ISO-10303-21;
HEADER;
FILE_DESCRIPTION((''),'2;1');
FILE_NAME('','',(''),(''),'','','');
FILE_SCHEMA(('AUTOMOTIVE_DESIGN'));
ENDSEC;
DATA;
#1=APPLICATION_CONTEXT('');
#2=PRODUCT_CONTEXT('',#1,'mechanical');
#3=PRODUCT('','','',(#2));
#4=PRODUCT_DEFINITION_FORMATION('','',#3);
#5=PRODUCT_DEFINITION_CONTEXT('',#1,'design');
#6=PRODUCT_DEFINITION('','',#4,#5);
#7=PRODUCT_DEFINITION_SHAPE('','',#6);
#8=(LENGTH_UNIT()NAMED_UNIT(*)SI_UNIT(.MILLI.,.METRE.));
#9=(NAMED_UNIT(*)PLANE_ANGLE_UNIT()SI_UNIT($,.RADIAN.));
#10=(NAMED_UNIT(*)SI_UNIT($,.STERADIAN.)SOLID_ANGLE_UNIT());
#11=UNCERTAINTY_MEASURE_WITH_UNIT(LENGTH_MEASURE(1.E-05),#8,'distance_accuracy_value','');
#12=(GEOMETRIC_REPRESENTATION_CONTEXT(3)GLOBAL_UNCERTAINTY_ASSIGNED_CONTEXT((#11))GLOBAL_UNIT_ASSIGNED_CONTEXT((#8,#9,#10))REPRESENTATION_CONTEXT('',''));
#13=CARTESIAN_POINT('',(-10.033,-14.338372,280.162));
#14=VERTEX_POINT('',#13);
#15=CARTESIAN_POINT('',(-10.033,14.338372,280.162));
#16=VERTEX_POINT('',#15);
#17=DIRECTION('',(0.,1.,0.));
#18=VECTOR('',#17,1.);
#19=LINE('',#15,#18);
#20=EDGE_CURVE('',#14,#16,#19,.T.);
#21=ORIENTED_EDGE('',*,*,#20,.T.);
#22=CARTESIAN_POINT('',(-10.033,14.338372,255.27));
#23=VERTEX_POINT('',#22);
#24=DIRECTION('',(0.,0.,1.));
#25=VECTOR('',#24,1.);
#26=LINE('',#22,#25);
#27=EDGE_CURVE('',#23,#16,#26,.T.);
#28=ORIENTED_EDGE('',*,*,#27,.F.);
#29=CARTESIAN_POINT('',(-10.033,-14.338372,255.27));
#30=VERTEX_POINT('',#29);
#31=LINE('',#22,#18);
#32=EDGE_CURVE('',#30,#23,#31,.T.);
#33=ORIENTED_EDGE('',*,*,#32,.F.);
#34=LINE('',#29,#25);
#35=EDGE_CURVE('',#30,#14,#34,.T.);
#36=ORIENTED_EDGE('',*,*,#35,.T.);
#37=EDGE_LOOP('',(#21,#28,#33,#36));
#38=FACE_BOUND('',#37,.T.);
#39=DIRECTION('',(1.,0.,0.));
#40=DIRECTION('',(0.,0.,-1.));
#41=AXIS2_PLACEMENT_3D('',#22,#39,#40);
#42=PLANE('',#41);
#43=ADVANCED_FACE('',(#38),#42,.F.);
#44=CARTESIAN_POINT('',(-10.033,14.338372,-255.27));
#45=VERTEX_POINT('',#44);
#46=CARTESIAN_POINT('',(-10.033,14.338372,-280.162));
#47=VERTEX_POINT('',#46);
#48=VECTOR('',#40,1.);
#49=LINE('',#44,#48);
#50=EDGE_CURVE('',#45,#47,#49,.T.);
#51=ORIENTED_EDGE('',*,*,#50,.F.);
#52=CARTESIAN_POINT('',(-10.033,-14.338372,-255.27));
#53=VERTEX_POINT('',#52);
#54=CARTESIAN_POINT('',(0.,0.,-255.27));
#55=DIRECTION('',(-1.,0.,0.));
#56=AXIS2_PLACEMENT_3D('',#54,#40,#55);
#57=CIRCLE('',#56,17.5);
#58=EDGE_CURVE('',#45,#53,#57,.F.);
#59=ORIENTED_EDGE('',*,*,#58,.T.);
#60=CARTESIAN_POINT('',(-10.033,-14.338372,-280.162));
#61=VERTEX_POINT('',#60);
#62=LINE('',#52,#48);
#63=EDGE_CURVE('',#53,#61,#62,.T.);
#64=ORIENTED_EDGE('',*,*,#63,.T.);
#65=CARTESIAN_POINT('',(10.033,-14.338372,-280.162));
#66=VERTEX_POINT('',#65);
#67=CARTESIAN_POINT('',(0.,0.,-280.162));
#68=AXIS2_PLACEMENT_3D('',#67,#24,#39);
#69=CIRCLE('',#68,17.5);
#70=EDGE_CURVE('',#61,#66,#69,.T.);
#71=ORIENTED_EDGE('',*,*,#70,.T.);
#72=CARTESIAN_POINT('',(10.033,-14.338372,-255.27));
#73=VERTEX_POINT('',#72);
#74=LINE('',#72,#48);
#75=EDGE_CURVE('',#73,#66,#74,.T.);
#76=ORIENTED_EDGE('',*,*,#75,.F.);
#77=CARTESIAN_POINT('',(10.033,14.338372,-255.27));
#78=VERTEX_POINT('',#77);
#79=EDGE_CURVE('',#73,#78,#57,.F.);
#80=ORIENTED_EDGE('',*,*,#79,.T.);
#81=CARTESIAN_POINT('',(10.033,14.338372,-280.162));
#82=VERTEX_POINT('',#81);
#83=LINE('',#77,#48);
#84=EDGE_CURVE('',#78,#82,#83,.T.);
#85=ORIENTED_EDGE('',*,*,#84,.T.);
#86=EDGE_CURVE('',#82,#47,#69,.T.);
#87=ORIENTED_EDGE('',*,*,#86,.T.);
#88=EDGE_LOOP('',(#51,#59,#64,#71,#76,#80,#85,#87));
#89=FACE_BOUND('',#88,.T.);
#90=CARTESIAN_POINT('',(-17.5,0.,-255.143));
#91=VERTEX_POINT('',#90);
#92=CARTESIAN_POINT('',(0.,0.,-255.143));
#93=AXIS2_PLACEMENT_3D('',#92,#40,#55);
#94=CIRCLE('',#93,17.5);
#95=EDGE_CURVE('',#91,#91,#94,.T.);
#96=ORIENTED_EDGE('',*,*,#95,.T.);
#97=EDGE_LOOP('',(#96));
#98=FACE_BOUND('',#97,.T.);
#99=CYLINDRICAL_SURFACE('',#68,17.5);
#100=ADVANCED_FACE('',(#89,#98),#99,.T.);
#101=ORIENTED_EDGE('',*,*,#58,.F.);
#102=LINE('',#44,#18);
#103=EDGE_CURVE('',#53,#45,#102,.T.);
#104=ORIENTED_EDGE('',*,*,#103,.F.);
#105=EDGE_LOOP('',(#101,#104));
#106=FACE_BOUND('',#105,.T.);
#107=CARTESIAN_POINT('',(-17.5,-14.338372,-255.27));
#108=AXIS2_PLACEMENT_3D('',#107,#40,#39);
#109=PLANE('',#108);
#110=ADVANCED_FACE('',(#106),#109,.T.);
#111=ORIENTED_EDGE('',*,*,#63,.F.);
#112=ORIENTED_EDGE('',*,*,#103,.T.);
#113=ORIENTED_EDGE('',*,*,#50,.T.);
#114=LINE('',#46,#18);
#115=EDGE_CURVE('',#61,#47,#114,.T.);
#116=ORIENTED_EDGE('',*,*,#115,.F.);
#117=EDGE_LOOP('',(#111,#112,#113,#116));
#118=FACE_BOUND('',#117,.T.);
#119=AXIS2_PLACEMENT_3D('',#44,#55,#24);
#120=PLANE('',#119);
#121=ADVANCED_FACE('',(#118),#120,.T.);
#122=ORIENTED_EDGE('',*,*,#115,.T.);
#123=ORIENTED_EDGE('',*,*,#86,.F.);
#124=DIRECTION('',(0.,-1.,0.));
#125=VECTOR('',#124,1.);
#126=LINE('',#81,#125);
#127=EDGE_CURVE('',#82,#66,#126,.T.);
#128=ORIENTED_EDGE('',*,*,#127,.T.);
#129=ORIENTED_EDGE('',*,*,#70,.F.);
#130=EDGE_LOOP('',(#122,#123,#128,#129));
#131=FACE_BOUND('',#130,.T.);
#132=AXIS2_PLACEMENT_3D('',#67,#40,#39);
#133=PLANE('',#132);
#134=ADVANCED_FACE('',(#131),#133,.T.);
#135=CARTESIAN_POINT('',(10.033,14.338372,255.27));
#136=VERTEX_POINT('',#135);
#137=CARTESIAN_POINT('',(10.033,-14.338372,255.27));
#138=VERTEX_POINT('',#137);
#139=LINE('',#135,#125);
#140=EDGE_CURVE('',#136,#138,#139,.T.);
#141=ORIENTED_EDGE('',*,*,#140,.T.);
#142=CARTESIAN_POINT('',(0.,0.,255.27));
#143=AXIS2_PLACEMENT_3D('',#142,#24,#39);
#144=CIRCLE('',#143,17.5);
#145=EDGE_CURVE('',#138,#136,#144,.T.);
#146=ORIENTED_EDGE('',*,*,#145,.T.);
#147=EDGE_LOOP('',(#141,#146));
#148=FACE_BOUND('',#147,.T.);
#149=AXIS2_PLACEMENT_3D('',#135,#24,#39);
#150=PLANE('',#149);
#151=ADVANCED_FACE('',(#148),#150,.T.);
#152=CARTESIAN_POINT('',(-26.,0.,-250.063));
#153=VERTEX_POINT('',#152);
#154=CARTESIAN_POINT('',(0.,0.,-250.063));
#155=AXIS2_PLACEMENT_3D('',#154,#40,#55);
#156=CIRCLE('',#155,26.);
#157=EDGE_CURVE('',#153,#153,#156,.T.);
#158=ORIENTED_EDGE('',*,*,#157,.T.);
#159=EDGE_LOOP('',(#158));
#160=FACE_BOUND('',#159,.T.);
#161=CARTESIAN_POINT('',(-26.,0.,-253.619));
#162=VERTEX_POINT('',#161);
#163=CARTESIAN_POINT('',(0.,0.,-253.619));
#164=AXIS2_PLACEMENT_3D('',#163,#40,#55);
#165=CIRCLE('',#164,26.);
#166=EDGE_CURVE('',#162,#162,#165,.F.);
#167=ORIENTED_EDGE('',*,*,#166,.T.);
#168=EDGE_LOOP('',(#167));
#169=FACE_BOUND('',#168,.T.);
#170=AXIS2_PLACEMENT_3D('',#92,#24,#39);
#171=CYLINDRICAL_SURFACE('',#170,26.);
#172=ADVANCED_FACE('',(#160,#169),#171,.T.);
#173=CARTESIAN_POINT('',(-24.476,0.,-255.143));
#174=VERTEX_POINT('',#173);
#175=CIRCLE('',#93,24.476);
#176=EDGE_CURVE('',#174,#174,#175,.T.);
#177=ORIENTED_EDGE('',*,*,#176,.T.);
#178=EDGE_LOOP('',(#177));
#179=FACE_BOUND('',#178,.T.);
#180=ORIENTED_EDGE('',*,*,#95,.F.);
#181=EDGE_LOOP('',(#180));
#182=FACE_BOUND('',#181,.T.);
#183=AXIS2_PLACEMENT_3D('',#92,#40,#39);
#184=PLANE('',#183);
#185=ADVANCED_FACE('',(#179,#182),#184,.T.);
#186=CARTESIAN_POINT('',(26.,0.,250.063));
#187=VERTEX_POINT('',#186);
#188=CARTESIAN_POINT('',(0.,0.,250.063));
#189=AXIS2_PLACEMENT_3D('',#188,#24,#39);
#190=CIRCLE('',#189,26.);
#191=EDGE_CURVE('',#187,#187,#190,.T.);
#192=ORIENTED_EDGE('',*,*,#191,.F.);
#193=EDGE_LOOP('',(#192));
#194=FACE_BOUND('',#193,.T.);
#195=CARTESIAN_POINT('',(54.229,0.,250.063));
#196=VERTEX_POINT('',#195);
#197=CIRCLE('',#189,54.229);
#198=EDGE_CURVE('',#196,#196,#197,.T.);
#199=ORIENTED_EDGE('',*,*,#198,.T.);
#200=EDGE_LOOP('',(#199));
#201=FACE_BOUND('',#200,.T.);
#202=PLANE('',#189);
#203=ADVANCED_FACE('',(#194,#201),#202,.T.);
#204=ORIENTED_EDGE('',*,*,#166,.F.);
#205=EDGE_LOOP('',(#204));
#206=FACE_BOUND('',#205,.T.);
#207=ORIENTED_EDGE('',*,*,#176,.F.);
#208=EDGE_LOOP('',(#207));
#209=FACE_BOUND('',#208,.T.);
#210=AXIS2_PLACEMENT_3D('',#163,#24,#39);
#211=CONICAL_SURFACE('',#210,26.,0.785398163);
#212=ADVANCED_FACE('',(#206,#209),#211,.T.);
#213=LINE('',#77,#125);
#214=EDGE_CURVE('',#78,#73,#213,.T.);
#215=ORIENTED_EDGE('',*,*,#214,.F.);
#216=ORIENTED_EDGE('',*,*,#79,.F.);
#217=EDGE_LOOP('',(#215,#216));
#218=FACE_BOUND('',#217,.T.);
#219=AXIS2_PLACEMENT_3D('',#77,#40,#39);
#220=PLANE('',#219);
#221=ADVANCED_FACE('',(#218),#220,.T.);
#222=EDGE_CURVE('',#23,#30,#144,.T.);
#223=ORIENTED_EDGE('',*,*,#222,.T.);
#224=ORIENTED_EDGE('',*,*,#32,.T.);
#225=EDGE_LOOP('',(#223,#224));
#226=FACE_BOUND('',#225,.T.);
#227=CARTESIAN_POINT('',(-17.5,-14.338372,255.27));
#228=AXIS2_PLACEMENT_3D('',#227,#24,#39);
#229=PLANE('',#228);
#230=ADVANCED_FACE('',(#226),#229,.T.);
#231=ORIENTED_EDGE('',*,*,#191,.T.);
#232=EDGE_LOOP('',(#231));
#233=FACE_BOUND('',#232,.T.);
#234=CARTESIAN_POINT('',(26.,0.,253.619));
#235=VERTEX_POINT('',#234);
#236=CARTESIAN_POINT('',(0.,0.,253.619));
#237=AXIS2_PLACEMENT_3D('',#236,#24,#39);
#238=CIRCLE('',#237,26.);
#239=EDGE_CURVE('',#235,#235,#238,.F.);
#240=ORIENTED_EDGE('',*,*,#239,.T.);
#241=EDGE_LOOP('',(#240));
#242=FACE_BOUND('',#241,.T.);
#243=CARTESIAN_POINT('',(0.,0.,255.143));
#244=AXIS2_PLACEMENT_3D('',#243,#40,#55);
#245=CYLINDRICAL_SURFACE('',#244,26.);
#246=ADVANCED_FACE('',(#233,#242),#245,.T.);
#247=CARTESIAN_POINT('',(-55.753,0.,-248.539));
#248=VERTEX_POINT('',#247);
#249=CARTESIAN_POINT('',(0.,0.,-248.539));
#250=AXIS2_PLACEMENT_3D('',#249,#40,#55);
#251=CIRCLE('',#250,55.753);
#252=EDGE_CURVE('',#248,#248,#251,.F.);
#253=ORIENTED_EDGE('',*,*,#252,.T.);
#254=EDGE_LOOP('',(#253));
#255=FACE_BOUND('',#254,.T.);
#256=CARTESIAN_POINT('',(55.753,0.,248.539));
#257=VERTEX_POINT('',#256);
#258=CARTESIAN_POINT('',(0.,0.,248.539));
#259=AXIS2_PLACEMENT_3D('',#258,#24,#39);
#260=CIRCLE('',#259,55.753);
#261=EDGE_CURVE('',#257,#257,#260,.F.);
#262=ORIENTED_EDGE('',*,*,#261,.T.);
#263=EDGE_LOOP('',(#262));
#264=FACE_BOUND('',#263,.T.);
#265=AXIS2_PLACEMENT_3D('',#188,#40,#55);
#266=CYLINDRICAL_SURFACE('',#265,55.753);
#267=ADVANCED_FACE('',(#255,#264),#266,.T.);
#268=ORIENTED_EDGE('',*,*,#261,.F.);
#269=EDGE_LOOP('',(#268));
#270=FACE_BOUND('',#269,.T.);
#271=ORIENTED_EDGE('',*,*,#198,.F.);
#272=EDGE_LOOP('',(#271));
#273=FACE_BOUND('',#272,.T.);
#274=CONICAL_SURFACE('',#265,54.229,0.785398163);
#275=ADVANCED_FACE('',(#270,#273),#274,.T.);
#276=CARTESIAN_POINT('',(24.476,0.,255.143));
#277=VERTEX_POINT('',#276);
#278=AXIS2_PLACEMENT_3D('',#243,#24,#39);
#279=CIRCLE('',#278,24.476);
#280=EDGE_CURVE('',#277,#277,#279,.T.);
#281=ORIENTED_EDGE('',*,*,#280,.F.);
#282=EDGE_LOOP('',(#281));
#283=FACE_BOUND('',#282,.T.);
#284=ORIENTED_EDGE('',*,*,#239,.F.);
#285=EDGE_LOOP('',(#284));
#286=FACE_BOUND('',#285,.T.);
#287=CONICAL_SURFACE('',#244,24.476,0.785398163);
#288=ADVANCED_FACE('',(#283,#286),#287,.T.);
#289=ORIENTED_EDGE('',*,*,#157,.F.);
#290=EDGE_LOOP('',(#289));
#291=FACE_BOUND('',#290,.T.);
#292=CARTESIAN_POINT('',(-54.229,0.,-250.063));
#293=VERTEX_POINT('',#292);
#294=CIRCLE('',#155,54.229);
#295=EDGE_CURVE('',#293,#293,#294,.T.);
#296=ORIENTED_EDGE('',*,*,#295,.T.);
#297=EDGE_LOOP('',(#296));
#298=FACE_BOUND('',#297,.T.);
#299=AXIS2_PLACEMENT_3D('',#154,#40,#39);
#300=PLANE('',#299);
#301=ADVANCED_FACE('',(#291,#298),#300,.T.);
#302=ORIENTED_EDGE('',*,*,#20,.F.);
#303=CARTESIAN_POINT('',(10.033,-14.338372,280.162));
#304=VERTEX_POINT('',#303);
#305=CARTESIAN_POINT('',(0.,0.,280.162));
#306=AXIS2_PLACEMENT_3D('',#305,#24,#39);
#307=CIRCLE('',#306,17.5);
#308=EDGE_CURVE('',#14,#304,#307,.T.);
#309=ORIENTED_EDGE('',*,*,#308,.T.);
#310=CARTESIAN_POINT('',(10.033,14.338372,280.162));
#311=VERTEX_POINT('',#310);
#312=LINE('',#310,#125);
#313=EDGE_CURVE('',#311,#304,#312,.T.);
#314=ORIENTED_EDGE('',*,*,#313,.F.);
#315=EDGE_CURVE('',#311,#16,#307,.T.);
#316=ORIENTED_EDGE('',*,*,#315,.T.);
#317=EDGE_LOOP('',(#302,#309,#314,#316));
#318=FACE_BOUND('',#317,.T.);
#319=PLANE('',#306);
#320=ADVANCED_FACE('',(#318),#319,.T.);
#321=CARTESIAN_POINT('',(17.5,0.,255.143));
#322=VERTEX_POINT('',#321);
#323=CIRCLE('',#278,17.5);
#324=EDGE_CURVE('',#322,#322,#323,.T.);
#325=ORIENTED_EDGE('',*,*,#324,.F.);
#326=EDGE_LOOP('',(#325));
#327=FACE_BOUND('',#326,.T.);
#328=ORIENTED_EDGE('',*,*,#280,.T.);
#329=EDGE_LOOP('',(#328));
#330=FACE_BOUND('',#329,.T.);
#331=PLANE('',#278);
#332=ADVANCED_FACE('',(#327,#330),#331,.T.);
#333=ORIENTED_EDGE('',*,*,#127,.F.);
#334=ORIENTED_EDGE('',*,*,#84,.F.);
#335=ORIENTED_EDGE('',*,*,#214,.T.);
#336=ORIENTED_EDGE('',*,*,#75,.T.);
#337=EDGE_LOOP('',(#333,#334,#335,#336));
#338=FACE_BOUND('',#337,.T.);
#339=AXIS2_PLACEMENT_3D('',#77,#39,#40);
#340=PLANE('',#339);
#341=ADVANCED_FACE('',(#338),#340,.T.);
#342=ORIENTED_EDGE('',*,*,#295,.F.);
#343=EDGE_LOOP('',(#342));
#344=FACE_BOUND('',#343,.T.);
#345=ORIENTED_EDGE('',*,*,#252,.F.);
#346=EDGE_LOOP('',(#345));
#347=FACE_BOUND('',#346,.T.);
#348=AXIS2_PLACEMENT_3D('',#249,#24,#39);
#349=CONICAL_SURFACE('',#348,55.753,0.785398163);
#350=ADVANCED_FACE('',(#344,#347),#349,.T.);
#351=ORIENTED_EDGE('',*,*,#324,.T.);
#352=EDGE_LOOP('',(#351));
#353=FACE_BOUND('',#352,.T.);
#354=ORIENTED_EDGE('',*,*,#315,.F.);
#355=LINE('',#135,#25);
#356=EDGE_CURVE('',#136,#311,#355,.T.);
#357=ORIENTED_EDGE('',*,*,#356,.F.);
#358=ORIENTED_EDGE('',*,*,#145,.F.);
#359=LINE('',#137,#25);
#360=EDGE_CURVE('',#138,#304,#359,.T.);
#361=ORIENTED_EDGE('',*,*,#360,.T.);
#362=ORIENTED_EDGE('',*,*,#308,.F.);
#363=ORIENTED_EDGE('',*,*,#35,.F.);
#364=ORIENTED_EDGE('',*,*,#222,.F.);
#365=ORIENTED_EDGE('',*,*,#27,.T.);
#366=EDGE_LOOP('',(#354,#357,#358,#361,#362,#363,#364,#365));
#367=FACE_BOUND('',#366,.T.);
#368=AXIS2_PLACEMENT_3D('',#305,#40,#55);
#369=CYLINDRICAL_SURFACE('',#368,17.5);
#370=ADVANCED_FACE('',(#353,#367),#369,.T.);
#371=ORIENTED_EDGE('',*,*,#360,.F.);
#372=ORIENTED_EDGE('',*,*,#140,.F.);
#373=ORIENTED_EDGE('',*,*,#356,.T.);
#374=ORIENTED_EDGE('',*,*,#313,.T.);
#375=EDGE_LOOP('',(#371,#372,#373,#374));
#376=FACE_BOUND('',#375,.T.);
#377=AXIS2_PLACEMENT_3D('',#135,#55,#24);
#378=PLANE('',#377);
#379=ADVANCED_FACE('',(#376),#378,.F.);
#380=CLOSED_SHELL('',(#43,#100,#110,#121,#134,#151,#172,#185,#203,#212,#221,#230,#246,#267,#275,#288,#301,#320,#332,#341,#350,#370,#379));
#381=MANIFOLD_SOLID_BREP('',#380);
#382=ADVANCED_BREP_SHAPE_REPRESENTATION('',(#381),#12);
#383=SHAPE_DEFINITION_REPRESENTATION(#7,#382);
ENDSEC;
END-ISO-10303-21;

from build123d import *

# Parameters (mm, degrees)
SKETCH1_R                = 55.753
EXTRUDE1_DEPTH           = 250.063
SKETCH2_R                = 26
EXTRUDE2_DEPTH           = 5.08
SKETCH3_R                = 17.5
EXTRUDE3_DEPTH           = 25.019
SKETCH4_W                = 7.467
SKETCH4_H                = 28.676743958
CUT_EXTRUDE1_DEPTH       = 24.892
CHAMFER1_SIZE            = 1.524
CHAMFER1_OF_MIRROR1_SIZE = 1.524


with BuildPart() as part:
    # Sketch1 → Extrude1 (new body)
    with BuildSketch(Plane.XY):
        Circle(SKETCH1_R)
    extrude1 = extrude(amount=EXTRUDE1_DEPTH)

    # Sketch2 → Extrude2 (add)
    with BuildSketch(Plane.XY.offset(250.063)):
        Circle(SKETCH2_R)
    extrude2 = extrude(amount=EXTRUDE2_DEPTH)

    # Sketch3 → Extrude3 (add)
    with BuildSketch(Plane.XY.offset(255.143)):
        Circle(SKETCH3_R)
    extrude3 = extrude(amount=EXTRUDE3_DEPTH)

    # Sketch4 → Cut-Extrude1 (cut)
    with BuildSketch(Plane.XY.offset(280.162)):
        with Locations((13.7665, 0)):
            Rectangle(SKETCH4_W, SKETCH4_H)
        with Locations((-13.7665, 0)):
            Rectangle(SKETCH4_W, SKETCH4_H)
    cut_extrude1 = extrude(amount=-CUT_EXTRUDE1_DEPTH, mode=Mode.SUBTRACT)

    # Chamfer1
    chamfer1_edges = [part.edges().sort_by_distance(p)[0] for p in [
        (-55.753, 0, 250.063),
        (-26, 0, 255.143),
    ]]
    chamfer(chamfer1_edges, length=CHAMFER1_SIZE)

    # Mirror1: Extrude1, Extrude2, Extrude3, Cut-Extrude1 across plane
    add(extrude1.mirror(Plane.XY))
    add(extrude2.mirror(Plane.XY))
    add(extrude3.mirror(Plane.XY))
    add(cut_extrude1.mirror(Plane.XY), mode=Mode.SUBTRACT)

    # Chamfer1 of Mirror1
    chamfer1_of_mirror1_edges = [part.edges().sort_by_distance(p)[0] for p in [
        (-55.753, 0, -250.063),
        (-26, 0, -255.143),
    ]]
    chamfer(chamfer1_of_mirror1_edges, length=CHAMFER1_OF_MIRROR1_SIZE)


solid = part.part
